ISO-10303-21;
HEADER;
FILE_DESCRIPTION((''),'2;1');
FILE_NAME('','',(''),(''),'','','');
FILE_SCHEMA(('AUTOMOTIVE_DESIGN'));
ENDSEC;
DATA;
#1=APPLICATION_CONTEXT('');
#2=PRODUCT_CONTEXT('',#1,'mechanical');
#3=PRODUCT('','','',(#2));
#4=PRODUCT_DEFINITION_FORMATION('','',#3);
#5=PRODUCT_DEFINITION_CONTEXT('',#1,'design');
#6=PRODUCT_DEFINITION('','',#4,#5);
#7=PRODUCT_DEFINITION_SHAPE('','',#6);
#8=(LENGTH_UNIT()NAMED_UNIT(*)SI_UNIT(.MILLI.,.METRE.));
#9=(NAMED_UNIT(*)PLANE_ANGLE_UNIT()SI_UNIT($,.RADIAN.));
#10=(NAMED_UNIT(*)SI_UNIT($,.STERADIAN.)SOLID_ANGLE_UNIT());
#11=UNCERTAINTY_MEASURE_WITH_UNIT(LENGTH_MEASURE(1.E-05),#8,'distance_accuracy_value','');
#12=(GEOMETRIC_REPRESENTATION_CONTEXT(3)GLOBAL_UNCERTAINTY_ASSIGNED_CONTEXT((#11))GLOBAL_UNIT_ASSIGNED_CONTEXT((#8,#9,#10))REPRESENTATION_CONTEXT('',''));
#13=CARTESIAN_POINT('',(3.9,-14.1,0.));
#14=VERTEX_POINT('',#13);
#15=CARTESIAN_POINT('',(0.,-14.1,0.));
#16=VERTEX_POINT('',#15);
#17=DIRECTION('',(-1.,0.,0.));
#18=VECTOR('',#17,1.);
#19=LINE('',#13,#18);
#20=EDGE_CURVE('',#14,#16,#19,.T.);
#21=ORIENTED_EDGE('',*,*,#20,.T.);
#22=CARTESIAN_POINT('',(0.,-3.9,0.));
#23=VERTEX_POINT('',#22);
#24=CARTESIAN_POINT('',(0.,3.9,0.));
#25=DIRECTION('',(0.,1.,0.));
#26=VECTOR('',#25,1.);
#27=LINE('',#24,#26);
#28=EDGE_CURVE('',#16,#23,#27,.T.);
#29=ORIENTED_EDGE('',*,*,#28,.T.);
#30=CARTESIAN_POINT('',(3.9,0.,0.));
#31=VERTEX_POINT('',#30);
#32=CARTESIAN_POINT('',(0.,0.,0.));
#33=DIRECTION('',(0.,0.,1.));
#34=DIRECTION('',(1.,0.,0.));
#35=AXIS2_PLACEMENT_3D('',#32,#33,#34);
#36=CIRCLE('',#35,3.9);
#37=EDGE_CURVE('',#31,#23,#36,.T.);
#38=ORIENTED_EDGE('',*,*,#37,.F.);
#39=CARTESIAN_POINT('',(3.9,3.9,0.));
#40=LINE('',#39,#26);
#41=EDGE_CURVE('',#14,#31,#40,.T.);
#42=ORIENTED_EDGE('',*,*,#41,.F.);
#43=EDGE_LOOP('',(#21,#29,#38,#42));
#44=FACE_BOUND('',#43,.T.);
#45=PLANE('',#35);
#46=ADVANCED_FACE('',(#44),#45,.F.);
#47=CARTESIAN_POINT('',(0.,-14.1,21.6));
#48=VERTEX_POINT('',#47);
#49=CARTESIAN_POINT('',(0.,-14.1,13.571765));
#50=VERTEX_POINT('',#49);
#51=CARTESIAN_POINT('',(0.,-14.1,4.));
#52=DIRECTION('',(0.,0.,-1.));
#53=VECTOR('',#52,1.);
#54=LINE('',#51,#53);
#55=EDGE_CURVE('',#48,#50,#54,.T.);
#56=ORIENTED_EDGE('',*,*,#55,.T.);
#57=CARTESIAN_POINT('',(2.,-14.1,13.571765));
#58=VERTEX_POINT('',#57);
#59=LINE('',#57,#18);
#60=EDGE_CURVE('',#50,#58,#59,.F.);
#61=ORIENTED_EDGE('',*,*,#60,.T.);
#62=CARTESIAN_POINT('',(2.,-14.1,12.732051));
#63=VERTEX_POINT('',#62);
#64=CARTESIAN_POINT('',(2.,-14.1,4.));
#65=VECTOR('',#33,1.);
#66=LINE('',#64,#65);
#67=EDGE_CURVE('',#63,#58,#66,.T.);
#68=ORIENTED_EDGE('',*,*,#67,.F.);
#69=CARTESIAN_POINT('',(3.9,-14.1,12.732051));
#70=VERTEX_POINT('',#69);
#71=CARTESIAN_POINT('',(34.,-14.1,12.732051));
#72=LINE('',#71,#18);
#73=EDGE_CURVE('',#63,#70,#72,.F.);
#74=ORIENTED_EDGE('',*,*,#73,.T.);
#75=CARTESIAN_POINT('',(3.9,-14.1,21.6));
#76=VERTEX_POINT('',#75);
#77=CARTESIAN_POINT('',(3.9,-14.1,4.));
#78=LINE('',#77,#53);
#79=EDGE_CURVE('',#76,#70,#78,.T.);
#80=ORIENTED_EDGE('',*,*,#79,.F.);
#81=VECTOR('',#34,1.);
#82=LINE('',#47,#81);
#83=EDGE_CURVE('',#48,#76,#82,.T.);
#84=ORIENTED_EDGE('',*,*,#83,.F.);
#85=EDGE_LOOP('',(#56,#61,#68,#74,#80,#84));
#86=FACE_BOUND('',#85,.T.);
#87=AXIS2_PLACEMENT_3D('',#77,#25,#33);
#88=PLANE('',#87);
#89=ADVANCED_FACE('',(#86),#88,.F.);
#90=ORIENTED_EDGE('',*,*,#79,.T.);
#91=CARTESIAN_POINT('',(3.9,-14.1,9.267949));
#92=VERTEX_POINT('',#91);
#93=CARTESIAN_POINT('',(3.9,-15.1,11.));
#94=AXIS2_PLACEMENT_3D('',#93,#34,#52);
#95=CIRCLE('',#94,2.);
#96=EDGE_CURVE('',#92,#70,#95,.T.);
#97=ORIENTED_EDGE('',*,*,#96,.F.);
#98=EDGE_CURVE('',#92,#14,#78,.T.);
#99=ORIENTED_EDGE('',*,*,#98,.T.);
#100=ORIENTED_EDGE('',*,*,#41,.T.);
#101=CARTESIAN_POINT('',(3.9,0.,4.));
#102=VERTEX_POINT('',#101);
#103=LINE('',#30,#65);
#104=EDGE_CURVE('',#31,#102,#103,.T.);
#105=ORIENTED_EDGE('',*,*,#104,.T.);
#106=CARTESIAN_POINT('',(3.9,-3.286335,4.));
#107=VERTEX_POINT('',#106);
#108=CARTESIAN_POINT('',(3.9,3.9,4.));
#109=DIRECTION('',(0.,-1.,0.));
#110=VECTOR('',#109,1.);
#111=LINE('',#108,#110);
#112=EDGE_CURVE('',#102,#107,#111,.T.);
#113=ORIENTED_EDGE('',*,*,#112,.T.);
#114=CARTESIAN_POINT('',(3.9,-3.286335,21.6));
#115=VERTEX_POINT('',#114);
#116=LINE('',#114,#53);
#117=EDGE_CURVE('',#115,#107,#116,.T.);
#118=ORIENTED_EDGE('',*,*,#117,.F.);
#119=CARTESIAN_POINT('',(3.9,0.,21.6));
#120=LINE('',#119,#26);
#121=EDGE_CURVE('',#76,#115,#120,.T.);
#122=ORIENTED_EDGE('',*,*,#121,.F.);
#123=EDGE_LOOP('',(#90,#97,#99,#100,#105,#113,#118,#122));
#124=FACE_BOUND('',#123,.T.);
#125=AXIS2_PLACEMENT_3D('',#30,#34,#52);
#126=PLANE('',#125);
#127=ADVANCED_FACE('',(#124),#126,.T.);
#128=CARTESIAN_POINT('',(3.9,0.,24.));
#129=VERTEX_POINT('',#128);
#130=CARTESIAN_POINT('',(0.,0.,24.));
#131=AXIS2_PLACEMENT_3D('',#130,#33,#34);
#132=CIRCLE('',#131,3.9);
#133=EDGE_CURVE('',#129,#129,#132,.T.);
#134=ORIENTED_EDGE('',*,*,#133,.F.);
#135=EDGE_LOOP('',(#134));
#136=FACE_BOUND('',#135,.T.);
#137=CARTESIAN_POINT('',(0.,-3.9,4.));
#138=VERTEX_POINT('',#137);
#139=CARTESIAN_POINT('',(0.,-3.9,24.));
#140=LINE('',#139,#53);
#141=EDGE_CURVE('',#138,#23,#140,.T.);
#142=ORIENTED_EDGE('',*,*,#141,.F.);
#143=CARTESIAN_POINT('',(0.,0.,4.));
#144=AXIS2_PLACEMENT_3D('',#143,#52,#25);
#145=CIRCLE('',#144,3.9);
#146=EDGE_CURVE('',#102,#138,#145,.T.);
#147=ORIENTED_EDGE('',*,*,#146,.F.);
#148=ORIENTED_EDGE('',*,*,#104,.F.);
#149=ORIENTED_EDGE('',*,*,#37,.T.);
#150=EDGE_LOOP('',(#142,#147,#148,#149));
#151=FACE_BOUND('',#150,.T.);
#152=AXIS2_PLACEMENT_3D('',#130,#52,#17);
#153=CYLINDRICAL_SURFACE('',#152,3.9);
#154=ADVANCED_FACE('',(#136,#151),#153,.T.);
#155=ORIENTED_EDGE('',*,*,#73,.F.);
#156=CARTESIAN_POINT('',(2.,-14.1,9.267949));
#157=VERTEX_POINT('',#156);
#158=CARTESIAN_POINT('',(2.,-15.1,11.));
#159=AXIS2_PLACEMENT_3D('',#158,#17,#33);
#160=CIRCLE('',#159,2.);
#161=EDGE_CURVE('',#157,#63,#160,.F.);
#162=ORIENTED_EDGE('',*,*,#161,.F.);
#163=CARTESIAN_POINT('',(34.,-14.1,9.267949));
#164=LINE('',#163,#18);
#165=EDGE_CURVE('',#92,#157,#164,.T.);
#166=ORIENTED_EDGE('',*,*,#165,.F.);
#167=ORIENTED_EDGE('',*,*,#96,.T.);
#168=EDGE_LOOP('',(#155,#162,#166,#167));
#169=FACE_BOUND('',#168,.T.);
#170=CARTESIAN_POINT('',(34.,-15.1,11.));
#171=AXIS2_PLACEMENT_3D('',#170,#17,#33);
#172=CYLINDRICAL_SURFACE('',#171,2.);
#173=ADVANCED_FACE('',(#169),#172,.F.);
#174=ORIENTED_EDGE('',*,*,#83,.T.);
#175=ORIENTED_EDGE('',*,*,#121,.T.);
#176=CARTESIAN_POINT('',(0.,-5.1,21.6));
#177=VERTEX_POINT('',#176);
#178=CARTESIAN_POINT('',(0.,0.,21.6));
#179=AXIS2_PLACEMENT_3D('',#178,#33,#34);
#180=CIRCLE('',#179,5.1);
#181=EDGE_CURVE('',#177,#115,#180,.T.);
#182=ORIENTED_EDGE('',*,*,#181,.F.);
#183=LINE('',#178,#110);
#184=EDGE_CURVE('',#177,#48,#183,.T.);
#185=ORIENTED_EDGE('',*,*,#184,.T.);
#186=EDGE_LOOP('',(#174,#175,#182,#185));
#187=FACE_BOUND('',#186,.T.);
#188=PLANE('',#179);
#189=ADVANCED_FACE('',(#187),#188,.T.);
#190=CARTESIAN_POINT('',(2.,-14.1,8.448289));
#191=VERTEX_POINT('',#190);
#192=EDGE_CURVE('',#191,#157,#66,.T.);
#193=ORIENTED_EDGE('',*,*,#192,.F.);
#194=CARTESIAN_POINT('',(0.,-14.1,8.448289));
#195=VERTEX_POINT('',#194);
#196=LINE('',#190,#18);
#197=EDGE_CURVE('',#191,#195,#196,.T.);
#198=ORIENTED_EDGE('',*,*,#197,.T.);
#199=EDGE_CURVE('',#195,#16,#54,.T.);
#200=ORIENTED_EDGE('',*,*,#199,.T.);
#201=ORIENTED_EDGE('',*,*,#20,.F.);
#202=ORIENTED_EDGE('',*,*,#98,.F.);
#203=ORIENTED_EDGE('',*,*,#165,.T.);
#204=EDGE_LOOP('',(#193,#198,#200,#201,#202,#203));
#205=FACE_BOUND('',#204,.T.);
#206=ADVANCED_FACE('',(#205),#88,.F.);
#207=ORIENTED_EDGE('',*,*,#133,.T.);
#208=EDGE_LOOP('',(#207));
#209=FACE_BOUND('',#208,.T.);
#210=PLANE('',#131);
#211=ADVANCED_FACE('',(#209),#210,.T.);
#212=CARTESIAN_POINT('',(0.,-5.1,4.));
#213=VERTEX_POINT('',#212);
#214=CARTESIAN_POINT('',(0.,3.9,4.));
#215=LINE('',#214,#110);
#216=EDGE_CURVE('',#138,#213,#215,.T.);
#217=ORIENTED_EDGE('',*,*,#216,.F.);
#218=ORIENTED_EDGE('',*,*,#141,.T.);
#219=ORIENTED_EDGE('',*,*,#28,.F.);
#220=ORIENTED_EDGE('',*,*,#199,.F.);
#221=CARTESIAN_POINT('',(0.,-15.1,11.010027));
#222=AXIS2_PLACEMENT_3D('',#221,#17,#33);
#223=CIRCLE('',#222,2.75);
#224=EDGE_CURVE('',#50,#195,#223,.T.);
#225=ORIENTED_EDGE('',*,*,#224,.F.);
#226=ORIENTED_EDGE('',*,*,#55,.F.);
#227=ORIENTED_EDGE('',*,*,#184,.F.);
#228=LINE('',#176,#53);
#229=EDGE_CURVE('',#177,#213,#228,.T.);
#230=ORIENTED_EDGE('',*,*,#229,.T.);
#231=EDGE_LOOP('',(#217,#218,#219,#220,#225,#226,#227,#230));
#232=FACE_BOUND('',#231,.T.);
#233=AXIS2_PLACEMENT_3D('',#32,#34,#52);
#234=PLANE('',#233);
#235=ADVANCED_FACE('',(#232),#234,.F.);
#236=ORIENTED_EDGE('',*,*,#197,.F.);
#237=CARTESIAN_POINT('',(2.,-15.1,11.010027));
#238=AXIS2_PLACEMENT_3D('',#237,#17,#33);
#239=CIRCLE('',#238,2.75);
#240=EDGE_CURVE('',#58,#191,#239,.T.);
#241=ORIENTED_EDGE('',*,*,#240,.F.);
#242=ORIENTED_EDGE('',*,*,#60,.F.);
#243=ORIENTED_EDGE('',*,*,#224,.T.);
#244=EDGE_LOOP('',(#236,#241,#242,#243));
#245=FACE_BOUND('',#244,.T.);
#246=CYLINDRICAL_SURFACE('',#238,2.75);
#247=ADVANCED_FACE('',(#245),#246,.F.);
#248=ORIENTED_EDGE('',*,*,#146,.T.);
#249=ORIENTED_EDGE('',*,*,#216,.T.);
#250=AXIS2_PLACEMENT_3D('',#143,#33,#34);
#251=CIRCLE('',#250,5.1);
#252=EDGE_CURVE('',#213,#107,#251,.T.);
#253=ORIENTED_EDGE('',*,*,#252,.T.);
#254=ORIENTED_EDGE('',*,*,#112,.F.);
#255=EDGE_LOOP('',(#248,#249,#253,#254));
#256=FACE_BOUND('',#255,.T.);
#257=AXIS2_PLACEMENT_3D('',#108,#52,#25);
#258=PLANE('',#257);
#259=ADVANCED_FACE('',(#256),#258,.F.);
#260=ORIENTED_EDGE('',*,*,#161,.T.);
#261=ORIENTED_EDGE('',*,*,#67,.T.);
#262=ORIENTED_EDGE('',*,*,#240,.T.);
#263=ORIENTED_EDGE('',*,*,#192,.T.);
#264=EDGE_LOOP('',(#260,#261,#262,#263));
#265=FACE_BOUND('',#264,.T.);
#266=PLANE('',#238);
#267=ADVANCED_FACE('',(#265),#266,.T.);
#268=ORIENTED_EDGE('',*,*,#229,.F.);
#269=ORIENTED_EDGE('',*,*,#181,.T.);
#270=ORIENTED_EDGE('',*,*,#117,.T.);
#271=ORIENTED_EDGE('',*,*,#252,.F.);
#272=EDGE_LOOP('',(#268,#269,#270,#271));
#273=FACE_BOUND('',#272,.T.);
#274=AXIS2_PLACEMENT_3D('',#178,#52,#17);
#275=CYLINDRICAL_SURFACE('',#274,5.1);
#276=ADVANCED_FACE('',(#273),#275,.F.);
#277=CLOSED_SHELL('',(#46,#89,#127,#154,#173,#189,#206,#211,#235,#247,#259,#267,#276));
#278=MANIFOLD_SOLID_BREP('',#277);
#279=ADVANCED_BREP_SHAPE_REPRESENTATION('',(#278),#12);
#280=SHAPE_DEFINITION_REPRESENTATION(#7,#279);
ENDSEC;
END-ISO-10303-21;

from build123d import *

# Parameters (mm, degrees)
SKETCH_1_R          = 1.95
EXTRUDE_1_DEPTH     = 12
SKETCH_4_W          = 2
SKETCH_4_H          = 9
EXTRUDE_2_DEPTH     = 1.95
EXTRUDE_4_DEPTH     = 8.8
SKETCH_9_R          = 1
CUT_EXTRUDE_2_DEPTH = 17
SKETCH_13_R         = 1.375
CUT_EXTRUDE_6_DEPTH = 1
CUT_EXTRUDE_7_DEPTH = 13.389713
SCALE_1_SCALE       = 2


with BuildPart() as part:
    # 스케치1 → 보스-돌출1 (new body)
    with BuildSketch(Plane.XY):
        Circle(SKETCH_1_R)
    extrude(amount=EXTRUDE_1_DEPTH)

    # 스케치4 → 보스-돌출2 (add)
    with BuildSketch(Plane(origin=(0, 0, 0), x_dir=(0, 0, -1), z_dir=(1, 0, 0))):
        with Locations((-1, -2.55)):
            Rectangle(SKETCH_4_W, SKETCH_4_H)
    extrude(amount=EXTRUDE_2_DEPTH)

    # 스케치8 → 보스-돌출4 (add)
    with BuildSketch(Plane.XY.offset(2)):
        with BuildLine():
            ThreePointArc((1.95, -1.643168), (1.075273, -2.312204), (0, -2.55))
            Line((0, -2.55), (0, -7.05))
            Line((0, -7.05), (1.95, -7.05))
            Line((1.95, -7.05), (1.95, -1.643168))
        make_face()
    extrude(amount=EXTRUDE_4_DEPTH)

    # 스케치9 → 컷-돌출2 (cut)
    with BuildSketch(Plane.ZY):
        with Locations((5.5, -7.55)):
            Circle(SKETCH_9_R)
    extrude(amount=-CUT_EXTRUDE_2_DEPTH, mode=Mode.SUBTRACT)

    # 스케치13 → 컷-돌출6 (cut)
    with BuildSketch(Plane.ZY):
        with Locations((5.505014, -7.55)):
            Circle(SKETCH_13_R)
    extrude(amount=-CUT_EXTRUDE_6_DEPTH, mode=Mode.SUBTRACT)

    # 스케치12 → 컷-돌출7 (cut, through all)
    with BuildSketch(Plane.XY.offset(2)):
        with BuildLine():
            Line((1.95, 0), (1.95, 1.95))
            Line((1.95, 1.95), (0, 1.95))
            ThreePointArc((0, 1.95), (1.378858, 1.378858), (1.95, 0))
        make_face()
    extrude(amount=-CUT_EXTRUDE_7_DEPTH, mode=Mode.SUBTRACT)


with BuildPart() as part_1:
    # 축척1: scaled about (0, 0, 0)
    add(part.part.scale(SCALE_1_SCALE))


solid = part_1.part
